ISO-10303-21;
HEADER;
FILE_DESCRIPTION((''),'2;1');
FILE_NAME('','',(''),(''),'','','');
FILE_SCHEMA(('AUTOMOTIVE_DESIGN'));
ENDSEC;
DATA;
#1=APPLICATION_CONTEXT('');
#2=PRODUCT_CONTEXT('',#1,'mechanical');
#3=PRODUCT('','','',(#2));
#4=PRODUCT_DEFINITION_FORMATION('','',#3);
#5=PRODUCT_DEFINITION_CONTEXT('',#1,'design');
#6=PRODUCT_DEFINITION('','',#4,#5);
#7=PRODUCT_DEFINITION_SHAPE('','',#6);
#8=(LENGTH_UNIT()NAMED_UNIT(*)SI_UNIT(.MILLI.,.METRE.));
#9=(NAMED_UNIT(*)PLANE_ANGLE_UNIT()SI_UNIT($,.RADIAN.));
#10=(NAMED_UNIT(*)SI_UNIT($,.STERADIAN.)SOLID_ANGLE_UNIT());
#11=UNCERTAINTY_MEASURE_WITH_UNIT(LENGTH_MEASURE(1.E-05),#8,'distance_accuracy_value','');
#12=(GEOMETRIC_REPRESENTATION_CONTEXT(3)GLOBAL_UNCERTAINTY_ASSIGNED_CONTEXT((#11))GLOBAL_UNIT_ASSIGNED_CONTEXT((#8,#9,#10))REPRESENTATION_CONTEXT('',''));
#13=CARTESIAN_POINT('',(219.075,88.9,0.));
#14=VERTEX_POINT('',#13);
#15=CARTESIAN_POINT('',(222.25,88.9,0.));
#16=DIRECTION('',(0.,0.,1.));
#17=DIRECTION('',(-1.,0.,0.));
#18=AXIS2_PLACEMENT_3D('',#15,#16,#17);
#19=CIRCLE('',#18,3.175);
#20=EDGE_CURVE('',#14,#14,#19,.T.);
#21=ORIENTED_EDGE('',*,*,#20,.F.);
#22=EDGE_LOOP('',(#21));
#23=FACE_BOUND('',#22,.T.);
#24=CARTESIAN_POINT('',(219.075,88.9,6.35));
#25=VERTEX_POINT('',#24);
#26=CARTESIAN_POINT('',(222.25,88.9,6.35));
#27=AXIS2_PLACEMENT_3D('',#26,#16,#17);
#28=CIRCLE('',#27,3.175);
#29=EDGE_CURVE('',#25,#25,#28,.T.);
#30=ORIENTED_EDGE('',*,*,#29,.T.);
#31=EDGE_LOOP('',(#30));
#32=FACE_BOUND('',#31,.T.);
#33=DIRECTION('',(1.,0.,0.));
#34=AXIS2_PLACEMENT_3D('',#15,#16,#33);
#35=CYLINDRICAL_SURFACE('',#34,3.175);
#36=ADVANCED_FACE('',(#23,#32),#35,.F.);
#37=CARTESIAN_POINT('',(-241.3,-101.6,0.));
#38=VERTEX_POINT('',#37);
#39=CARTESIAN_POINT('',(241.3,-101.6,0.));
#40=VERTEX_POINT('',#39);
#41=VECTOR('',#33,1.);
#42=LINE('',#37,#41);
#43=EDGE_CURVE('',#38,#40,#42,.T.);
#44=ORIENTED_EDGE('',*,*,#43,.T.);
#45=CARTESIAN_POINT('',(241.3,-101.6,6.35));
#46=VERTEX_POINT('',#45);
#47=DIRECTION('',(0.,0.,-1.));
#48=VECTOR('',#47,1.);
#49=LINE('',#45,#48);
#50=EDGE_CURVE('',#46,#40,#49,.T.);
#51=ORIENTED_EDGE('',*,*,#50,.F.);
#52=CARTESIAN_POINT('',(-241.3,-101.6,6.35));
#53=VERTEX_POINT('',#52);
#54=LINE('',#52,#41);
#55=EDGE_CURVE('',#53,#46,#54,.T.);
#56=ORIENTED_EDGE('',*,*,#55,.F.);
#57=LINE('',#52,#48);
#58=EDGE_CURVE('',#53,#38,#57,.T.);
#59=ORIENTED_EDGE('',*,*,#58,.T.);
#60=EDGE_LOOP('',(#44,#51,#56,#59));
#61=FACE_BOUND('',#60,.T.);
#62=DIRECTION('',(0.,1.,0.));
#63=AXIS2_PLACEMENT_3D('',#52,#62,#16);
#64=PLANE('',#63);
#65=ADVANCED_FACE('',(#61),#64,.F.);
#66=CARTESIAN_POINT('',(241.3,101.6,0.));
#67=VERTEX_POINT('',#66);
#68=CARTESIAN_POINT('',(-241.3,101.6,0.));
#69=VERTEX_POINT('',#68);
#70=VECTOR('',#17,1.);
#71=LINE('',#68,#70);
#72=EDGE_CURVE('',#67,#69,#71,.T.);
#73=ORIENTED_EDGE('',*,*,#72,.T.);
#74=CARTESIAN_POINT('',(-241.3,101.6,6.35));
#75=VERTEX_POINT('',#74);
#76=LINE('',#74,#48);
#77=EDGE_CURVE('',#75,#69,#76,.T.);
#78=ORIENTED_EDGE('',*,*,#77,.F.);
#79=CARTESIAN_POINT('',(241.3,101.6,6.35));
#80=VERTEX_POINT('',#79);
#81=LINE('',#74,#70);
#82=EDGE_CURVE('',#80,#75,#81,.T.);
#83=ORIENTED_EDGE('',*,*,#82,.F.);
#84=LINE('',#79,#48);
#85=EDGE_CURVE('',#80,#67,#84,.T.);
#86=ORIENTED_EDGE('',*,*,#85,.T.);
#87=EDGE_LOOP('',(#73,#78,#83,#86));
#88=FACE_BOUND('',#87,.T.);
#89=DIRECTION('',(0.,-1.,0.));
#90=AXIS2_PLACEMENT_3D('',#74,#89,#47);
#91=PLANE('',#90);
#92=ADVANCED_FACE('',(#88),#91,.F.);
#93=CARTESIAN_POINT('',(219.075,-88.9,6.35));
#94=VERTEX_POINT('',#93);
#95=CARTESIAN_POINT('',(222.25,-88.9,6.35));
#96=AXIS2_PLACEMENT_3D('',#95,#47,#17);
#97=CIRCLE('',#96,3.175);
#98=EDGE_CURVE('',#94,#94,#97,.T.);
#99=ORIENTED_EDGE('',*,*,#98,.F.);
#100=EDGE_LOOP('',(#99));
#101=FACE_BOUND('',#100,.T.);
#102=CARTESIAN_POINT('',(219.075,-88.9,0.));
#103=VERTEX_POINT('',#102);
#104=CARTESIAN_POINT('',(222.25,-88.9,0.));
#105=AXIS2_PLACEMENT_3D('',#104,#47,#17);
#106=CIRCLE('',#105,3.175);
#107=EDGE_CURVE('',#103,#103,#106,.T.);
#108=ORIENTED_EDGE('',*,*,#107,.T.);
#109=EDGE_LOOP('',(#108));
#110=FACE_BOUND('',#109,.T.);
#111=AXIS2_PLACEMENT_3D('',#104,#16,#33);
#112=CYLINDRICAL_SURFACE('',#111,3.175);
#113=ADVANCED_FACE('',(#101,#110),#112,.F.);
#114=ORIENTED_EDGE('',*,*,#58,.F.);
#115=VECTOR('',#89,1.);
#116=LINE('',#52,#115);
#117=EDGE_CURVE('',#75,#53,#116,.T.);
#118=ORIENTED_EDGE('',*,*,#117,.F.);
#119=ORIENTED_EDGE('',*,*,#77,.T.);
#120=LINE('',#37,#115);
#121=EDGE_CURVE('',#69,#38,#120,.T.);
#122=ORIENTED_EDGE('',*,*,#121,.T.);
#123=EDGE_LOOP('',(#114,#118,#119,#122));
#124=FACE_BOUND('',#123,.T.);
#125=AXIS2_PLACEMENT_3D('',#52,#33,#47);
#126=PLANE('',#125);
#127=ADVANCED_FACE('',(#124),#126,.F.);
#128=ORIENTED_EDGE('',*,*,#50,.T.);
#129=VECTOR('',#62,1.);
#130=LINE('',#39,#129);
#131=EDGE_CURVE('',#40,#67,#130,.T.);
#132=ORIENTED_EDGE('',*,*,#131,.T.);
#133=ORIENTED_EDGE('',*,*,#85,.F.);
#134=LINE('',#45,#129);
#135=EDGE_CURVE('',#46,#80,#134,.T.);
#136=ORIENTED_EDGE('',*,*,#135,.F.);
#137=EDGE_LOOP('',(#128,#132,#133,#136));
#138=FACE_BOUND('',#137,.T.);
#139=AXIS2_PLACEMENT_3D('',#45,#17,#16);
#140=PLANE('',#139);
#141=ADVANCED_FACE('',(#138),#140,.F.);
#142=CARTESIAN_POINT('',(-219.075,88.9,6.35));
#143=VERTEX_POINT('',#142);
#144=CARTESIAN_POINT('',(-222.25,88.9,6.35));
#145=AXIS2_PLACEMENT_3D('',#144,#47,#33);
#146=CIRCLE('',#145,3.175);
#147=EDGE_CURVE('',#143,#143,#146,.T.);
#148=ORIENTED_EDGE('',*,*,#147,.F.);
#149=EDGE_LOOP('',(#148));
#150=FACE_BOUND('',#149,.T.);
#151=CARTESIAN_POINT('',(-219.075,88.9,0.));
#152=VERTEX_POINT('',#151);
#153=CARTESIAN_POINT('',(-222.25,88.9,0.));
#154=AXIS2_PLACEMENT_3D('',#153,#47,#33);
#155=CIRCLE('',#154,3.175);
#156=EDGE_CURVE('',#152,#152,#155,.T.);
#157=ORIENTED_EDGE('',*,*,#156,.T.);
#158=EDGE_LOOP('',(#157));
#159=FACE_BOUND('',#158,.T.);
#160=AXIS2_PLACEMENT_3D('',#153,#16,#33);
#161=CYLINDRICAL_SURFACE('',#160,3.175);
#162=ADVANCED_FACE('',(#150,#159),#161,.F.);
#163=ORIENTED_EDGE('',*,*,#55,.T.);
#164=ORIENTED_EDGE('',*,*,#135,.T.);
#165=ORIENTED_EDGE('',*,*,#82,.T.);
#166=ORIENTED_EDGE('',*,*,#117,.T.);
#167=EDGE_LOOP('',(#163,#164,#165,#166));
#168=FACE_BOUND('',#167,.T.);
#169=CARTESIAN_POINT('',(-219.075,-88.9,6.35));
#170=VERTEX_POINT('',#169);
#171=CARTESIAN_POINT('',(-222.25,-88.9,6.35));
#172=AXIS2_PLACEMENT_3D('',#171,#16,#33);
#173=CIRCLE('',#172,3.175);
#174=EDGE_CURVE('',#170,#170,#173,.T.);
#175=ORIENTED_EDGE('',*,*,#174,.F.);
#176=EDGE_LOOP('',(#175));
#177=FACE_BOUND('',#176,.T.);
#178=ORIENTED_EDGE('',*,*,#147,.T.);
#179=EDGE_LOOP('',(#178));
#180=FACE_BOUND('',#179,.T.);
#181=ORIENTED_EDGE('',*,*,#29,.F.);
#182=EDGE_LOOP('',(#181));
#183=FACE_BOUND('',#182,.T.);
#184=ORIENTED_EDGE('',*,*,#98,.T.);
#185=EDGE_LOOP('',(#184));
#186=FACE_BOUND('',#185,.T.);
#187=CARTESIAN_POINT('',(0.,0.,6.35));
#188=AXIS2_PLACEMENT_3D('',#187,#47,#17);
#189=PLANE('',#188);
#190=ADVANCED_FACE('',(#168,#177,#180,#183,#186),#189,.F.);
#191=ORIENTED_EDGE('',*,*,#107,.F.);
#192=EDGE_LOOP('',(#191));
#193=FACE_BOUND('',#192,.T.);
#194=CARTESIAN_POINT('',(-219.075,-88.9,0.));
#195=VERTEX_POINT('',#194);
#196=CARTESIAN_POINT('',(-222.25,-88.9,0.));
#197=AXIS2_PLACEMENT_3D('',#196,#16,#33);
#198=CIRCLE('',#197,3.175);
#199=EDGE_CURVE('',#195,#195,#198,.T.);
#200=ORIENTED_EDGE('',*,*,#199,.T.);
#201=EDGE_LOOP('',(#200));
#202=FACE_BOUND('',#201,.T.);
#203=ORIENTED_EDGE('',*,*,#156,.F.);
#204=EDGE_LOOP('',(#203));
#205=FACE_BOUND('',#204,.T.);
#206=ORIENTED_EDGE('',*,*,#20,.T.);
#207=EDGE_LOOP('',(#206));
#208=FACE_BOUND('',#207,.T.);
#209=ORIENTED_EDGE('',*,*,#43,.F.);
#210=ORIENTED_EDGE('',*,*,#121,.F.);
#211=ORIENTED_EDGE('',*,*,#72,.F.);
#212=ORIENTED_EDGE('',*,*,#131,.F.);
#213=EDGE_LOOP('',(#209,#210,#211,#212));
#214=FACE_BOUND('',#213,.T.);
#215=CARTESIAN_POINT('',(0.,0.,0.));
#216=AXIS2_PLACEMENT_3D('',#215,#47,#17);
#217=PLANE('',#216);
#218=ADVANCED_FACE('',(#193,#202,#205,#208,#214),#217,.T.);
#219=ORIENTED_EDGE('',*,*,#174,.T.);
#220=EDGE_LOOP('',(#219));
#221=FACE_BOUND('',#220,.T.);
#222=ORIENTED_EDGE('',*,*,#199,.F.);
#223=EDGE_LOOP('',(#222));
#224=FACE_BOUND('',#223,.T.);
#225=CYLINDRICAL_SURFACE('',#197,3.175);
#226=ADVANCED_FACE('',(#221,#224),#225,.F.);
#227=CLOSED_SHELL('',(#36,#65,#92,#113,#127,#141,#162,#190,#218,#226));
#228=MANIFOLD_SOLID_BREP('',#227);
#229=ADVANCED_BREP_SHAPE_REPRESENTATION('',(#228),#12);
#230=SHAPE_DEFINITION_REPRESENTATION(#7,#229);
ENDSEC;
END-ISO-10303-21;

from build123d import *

# Parameters (mm, degrees)
SKETCH1_W                                  = 482.6
SKETCH1_H                                  = 203.2
BOSS_EXTRUDE1_DEPTH                        = 6.35
SKETCH2_R                                  = 3.175
CUT_EXTRUDE1_DEPTH                         = 262.894200967
MIRROR1_AT_THE_SECOND_PLANE_COPY_1_SKETC_R = 3.175
MIRROR1_AT_THE_SECOND_PLANE_COPY_1_DEPTH   = 262.894200967


with BuildPart() as part:
    # Sketch1 → Boss-Extrude1 (new body)
    with BuildSketch(Plane.XY):
        Rectangle(SKETCH1_W, SKETCH1_H)
    extrude(amount=BOSS_EXTRUDE1_DEPTH)

    # Sketch2 → Cut-Extrude1 (cut, through all)
    with BuildSketch(Plane.XY.offset(6.35)):
        with Locations((-222.25, -88.9)):
            Circle(SKETCH2_R)
    cut_extrude1 = extrude(amount=-CUT_EXTRUDE1_DEPTH, mode=Mode.SUBTRACT)

    # Mirror1: Cut-Extrude1 across plane
    add(cut_extrude1.mirror(Plane(origin=(0, 0, 0), x_dir=(0, 0, 1), z_dir=(1, 0, 0))), mode=Mode.SUBTRACT)

    # Mirror1 at the second plane: Cut-Extrude1 across plane
    add(cut_extrude1.mirror(Plane.ZX), mode=Mode.SUBTRACT)

    # Mirror1 at the second plane copy 1 sketc → Mirror1 at the second plane copy 1 (cut, through all)
    with BuildSketch(Plane(origin=(0, 0, 6.35), x_dir=(-1, 0, 0), z_dir=(0, 0, 1))):
        with Locations((-222.25, -88.9)):
            Circle(MIRROR1_AT_THE_SECOND_PLANE_COPY_1_SKETC_R)
    extrude(amount=-MIRROR1_AT_THE_SECOND_PLANE_COPY_1_DEPTH, mode=Mode.SUBTRACT)


solid = part.part
